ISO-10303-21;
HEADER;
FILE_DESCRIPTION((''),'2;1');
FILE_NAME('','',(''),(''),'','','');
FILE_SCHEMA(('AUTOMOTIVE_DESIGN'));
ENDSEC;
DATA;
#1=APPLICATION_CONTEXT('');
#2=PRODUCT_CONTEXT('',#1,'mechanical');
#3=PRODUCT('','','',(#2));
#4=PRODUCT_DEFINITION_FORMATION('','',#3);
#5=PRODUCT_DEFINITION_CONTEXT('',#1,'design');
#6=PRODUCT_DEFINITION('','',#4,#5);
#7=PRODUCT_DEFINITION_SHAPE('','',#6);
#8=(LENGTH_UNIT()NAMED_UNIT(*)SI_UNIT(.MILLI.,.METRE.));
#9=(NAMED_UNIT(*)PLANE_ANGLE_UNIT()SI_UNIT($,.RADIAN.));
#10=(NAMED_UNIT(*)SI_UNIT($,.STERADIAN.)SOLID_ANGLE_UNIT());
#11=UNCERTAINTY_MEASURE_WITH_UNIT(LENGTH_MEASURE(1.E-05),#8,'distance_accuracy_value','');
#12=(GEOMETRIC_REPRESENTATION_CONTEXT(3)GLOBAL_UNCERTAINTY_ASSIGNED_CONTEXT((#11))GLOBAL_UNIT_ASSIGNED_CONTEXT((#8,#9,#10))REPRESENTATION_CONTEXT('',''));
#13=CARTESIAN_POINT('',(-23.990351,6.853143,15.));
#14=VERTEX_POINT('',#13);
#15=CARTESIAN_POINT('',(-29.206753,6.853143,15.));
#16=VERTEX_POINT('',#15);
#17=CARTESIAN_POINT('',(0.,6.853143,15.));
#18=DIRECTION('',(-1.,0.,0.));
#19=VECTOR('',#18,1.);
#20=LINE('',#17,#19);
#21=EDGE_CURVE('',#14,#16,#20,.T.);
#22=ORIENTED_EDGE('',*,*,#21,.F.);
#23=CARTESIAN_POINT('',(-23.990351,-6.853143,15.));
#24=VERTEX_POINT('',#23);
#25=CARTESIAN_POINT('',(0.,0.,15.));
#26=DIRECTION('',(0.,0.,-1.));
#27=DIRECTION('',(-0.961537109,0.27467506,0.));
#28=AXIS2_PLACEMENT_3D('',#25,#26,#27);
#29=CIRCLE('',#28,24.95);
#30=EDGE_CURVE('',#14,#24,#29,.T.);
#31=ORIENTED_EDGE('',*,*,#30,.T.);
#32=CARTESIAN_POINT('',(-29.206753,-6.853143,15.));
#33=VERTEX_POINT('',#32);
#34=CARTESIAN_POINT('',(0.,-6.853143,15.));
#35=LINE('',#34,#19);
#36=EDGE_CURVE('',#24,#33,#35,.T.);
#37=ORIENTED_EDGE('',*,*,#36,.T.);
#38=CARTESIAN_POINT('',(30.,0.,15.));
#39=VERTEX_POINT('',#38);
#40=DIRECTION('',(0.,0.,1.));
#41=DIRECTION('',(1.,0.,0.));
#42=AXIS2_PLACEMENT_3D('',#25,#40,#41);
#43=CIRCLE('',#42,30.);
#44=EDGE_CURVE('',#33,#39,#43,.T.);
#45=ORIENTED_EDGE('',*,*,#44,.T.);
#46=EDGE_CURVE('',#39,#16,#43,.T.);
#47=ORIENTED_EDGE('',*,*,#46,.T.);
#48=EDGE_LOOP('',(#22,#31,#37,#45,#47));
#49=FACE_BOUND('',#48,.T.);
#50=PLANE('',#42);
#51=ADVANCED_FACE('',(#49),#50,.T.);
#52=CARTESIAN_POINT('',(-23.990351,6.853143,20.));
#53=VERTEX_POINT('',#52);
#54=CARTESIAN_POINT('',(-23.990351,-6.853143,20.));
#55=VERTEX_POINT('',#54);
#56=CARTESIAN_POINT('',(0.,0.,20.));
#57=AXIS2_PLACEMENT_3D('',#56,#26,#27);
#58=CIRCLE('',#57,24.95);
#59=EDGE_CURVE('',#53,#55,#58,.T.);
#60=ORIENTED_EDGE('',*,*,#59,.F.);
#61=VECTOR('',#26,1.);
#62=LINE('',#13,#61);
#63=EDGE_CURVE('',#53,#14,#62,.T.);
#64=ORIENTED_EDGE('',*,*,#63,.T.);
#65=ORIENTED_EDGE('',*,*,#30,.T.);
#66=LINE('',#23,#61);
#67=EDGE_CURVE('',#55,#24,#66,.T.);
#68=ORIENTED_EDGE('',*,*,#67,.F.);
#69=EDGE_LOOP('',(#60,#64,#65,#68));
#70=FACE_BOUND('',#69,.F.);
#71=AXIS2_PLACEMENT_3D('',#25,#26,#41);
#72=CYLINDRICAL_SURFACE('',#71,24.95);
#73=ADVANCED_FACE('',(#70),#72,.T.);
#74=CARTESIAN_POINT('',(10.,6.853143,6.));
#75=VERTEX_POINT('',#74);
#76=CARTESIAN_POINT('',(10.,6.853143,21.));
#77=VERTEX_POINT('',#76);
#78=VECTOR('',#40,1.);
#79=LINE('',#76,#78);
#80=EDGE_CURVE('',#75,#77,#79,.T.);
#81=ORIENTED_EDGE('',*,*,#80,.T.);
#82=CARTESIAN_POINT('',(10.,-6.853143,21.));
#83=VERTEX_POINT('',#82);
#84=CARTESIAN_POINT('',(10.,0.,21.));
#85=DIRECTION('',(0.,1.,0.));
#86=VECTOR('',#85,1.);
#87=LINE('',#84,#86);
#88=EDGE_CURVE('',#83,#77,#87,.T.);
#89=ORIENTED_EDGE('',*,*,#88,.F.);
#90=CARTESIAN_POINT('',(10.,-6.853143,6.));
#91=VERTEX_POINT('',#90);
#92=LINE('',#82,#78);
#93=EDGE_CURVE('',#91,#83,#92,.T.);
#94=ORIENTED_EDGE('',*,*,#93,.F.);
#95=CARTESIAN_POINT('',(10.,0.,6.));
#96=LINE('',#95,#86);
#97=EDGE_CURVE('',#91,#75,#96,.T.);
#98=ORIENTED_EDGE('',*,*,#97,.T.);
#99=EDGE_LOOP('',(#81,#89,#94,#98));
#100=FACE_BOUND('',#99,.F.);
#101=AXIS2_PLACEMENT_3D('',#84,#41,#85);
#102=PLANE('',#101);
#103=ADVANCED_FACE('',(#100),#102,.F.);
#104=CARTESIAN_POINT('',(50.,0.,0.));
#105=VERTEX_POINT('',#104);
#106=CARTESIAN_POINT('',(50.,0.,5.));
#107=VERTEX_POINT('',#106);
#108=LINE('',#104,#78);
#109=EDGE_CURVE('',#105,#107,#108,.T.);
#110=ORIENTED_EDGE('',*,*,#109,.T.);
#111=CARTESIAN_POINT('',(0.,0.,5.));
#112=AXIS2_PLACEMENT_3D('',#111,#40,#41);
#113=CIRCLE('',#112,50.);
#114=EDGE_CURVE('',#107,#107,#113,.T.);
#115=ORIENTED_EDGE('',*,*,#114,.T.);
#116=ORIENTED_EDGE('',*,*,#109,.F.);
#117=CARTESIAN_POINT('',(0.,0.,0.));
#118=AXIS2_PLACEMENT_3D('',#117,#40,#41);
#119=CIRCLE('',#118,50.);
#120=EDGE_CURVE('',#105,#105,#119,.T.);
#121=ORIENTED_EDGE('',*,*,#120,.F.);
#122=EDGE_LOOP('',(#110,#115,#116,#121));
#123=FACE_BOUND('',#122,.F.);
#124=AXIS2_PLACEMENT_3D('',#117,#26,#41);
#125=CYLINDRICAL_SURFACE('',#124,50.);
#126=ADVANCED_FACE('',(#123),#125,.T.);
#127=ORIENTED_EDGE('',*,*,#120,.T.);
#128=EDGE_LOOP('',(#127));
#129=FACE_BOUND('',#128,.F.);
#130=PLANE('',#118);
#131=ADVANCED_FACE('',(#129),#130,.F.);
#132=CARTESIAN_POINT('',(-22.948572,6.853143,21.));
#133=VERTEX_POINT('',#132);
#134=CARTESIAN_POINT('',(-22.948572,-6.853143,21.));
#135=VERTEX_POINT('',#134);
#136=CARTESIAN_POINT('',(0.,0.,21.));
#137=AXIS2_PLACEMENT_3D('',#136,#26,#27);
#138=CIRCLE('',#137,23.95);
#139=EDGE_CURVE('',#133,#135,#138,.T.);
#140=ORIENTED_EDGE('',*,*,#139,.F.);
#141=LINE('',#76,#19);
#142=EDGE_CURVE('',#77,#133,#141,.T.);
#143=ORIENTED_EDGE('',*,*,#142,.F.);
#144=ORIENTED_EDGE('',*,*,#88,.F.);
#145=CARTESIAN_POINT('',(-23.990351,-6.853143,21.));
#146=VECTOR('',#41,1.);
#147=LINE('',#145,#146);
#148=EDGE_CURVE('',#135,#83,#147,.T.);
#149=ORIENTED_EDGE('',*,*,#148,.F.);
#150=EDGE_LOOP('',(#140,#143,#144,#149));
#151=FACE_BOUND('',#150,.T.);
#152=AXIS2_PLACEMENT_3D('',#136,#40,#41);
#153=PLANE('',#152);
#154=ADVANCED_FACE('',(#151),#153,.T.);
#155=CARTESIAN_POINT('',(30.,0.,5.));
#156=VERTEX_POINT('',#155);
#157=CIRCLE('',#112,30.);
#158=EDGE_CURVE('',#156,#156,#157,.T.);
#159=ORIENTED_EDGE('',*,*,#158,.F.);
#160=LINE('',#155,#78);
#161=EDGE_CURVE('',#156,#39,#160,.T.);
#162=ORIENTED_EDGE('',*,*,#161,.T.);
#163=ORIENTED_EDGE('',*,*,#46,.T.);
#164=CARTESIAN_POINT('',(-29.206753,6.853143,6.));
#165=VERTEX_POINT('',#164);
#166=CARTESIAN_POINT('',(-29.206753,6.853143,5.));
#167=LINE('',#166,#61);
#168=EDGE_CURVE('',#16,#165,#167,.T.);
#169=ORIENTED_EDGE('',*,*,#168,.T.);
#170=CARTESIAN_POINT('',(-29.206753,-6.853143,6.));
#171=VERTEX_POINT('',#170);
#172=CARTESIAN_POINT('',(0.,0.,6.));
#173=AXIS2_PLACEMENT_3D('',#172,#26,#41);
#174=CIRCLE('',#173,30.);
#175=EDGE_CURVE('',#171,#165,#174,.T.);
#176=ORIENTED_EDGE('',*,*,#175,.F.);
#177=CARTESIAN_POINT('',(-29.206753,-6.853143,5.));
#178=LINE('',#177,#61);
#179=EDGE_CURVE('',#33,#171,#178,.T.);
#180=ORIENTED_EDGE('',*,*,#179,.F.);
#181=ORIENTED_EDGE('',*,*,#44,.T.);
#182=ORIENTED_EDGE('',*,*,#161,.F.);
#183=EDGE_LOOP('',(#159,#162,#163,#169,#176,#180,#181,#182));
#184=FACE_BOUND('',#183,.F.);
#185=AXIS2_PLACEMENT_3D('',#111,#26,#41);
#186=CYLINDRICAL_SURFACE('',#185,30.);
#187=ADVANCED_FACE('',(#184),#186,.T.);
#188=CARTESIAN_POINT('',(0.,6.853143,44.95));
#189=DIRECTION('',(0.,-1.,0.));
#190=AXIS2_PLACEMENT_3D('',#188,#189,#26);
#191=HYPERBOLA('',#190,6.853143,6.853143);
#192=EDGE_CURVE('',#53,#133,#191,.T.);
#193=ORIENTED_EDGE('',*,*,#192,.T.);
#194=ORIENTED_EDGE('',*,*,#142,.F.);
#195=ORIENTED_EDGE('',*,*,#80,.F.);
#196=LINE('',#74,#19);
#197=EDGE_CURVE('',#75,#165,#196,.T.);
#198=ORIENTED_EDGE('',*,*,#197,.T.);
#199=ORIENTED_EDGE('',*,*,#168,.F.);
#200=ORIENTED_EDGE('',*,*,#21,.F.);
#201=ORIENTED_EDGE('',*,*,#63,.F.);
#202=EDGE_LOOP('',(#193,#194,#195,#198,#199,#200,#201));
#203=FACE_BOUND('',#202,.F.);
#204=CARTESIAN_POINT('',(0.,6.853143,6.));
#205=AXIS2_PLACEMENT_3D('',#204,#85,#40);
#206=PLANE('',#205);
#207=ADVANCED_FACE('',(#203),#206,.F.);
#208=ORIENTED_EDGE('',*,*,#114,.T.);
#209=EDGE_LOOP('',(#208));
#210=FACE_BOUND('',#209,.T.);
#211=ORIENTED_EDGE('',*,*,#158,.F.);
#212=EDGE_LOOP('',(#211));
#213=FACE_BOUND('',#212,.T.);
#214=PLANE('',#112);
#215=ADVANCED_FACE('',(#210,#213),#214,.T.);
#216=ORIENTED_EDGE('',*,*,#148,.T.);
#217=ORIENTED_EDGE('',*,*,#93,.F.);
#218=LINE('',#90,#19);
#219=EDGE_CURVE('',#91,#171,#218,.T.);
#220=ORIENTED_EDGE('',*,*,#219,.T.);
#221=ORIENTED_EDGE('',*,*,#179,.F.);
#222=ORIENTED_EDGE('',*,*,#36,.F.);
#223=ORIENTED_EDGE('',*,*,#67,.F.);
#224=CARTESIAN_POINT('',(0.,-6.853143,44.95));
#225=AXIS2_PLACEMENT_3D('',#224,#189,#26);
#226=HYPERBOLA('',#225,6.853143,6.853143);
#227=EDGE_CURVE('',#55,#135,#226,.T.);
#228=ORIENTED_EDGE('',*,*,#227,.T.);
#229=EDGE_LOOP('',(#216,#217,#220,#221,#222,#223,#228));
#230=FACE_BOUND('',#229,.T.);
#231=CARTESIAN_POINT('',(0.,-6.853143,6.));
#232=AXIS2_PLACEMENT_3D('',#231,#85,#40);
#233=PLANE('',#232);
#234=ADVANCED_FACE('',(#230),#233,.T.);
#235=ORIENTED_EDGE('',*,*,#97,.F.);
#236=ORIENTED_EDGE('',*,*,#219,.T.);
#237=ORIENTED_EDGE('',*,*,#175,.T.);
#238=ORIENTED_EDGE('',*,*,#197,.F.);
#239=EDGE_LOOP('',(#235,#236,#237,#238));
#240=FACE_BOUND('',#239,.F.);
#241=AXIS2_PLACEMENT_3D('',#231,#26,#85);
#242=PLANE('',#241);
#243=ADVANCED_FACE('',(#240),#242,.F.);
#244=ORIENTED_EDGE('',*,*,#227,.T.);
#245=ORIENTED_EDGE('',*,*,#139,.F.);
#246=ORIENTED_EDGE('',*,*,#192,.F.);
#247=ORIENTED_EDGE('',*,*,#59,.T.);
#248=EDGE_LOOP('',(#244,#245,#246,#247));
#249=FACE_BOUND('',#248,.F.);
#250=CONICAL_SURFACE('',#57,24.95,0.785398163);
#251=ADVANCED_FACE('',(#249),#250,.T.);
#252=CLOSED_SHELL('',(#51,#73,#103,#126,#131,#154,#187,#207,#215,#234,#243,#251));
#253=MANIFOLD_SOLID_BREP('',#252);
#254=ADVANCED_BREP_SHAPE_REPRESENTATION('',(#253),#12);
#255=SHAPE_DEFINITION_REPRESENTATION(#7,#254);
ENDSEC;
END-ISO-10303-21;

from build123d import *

# Parameters (mm, degrees)
F0_R          = 50
F1_DEPTH      = 5
F2_R          = 30
F3_DEPTH      = 10
F4_R          = 24.95
F5_DEPTH      = 6
F6_W          = 13.7062855065
F6_H          = 30
F7_DEPTH      = 100
F7_DEPTH_BACK = 10
F8_SIZE       = 1


with BuildPart() as f1:
    # F0 (on Top) → F1 (new body)
    with BuildSketch(Plane.XY):
        Circle(F0_R)
    extrude(amount=F1_DEPTH)

    # F2 (on face) → F3 (join)
    with BuildSketch(Plane.XY.offset(5)):
        Circle(F2_R)
    extrude(amount=F3_DEPTH)

    # F4 (on face) → F5 (join)
    with BuildSketch(Plane.XY.offset(15)):
        Circle(F4_R)
    extrude(amount=F5_DEPTH)

    # F6 (on Right) → F7 (cut, two sides)
    with BuildSketch(Plane.YZ) as f7_sk:
        with Locations((0, 21)):
            Rectangle(F6_W, F6_H)
    extrude(amount=-F7_DEPTH, mode=Mode.SUBTRACT)
    extrude(f7_sk.sketch, amount=F7_DEPTH_BACK, mode=Mode.SUBTRACT)

    # F8
    f8_edges = [f1.edges().sort_by_distance(p)[0] for p in [
        (24.95, 0, 21),
    ]]
    chamfer(f8_edges, length=F8_SIZE)


solid = f1.part
